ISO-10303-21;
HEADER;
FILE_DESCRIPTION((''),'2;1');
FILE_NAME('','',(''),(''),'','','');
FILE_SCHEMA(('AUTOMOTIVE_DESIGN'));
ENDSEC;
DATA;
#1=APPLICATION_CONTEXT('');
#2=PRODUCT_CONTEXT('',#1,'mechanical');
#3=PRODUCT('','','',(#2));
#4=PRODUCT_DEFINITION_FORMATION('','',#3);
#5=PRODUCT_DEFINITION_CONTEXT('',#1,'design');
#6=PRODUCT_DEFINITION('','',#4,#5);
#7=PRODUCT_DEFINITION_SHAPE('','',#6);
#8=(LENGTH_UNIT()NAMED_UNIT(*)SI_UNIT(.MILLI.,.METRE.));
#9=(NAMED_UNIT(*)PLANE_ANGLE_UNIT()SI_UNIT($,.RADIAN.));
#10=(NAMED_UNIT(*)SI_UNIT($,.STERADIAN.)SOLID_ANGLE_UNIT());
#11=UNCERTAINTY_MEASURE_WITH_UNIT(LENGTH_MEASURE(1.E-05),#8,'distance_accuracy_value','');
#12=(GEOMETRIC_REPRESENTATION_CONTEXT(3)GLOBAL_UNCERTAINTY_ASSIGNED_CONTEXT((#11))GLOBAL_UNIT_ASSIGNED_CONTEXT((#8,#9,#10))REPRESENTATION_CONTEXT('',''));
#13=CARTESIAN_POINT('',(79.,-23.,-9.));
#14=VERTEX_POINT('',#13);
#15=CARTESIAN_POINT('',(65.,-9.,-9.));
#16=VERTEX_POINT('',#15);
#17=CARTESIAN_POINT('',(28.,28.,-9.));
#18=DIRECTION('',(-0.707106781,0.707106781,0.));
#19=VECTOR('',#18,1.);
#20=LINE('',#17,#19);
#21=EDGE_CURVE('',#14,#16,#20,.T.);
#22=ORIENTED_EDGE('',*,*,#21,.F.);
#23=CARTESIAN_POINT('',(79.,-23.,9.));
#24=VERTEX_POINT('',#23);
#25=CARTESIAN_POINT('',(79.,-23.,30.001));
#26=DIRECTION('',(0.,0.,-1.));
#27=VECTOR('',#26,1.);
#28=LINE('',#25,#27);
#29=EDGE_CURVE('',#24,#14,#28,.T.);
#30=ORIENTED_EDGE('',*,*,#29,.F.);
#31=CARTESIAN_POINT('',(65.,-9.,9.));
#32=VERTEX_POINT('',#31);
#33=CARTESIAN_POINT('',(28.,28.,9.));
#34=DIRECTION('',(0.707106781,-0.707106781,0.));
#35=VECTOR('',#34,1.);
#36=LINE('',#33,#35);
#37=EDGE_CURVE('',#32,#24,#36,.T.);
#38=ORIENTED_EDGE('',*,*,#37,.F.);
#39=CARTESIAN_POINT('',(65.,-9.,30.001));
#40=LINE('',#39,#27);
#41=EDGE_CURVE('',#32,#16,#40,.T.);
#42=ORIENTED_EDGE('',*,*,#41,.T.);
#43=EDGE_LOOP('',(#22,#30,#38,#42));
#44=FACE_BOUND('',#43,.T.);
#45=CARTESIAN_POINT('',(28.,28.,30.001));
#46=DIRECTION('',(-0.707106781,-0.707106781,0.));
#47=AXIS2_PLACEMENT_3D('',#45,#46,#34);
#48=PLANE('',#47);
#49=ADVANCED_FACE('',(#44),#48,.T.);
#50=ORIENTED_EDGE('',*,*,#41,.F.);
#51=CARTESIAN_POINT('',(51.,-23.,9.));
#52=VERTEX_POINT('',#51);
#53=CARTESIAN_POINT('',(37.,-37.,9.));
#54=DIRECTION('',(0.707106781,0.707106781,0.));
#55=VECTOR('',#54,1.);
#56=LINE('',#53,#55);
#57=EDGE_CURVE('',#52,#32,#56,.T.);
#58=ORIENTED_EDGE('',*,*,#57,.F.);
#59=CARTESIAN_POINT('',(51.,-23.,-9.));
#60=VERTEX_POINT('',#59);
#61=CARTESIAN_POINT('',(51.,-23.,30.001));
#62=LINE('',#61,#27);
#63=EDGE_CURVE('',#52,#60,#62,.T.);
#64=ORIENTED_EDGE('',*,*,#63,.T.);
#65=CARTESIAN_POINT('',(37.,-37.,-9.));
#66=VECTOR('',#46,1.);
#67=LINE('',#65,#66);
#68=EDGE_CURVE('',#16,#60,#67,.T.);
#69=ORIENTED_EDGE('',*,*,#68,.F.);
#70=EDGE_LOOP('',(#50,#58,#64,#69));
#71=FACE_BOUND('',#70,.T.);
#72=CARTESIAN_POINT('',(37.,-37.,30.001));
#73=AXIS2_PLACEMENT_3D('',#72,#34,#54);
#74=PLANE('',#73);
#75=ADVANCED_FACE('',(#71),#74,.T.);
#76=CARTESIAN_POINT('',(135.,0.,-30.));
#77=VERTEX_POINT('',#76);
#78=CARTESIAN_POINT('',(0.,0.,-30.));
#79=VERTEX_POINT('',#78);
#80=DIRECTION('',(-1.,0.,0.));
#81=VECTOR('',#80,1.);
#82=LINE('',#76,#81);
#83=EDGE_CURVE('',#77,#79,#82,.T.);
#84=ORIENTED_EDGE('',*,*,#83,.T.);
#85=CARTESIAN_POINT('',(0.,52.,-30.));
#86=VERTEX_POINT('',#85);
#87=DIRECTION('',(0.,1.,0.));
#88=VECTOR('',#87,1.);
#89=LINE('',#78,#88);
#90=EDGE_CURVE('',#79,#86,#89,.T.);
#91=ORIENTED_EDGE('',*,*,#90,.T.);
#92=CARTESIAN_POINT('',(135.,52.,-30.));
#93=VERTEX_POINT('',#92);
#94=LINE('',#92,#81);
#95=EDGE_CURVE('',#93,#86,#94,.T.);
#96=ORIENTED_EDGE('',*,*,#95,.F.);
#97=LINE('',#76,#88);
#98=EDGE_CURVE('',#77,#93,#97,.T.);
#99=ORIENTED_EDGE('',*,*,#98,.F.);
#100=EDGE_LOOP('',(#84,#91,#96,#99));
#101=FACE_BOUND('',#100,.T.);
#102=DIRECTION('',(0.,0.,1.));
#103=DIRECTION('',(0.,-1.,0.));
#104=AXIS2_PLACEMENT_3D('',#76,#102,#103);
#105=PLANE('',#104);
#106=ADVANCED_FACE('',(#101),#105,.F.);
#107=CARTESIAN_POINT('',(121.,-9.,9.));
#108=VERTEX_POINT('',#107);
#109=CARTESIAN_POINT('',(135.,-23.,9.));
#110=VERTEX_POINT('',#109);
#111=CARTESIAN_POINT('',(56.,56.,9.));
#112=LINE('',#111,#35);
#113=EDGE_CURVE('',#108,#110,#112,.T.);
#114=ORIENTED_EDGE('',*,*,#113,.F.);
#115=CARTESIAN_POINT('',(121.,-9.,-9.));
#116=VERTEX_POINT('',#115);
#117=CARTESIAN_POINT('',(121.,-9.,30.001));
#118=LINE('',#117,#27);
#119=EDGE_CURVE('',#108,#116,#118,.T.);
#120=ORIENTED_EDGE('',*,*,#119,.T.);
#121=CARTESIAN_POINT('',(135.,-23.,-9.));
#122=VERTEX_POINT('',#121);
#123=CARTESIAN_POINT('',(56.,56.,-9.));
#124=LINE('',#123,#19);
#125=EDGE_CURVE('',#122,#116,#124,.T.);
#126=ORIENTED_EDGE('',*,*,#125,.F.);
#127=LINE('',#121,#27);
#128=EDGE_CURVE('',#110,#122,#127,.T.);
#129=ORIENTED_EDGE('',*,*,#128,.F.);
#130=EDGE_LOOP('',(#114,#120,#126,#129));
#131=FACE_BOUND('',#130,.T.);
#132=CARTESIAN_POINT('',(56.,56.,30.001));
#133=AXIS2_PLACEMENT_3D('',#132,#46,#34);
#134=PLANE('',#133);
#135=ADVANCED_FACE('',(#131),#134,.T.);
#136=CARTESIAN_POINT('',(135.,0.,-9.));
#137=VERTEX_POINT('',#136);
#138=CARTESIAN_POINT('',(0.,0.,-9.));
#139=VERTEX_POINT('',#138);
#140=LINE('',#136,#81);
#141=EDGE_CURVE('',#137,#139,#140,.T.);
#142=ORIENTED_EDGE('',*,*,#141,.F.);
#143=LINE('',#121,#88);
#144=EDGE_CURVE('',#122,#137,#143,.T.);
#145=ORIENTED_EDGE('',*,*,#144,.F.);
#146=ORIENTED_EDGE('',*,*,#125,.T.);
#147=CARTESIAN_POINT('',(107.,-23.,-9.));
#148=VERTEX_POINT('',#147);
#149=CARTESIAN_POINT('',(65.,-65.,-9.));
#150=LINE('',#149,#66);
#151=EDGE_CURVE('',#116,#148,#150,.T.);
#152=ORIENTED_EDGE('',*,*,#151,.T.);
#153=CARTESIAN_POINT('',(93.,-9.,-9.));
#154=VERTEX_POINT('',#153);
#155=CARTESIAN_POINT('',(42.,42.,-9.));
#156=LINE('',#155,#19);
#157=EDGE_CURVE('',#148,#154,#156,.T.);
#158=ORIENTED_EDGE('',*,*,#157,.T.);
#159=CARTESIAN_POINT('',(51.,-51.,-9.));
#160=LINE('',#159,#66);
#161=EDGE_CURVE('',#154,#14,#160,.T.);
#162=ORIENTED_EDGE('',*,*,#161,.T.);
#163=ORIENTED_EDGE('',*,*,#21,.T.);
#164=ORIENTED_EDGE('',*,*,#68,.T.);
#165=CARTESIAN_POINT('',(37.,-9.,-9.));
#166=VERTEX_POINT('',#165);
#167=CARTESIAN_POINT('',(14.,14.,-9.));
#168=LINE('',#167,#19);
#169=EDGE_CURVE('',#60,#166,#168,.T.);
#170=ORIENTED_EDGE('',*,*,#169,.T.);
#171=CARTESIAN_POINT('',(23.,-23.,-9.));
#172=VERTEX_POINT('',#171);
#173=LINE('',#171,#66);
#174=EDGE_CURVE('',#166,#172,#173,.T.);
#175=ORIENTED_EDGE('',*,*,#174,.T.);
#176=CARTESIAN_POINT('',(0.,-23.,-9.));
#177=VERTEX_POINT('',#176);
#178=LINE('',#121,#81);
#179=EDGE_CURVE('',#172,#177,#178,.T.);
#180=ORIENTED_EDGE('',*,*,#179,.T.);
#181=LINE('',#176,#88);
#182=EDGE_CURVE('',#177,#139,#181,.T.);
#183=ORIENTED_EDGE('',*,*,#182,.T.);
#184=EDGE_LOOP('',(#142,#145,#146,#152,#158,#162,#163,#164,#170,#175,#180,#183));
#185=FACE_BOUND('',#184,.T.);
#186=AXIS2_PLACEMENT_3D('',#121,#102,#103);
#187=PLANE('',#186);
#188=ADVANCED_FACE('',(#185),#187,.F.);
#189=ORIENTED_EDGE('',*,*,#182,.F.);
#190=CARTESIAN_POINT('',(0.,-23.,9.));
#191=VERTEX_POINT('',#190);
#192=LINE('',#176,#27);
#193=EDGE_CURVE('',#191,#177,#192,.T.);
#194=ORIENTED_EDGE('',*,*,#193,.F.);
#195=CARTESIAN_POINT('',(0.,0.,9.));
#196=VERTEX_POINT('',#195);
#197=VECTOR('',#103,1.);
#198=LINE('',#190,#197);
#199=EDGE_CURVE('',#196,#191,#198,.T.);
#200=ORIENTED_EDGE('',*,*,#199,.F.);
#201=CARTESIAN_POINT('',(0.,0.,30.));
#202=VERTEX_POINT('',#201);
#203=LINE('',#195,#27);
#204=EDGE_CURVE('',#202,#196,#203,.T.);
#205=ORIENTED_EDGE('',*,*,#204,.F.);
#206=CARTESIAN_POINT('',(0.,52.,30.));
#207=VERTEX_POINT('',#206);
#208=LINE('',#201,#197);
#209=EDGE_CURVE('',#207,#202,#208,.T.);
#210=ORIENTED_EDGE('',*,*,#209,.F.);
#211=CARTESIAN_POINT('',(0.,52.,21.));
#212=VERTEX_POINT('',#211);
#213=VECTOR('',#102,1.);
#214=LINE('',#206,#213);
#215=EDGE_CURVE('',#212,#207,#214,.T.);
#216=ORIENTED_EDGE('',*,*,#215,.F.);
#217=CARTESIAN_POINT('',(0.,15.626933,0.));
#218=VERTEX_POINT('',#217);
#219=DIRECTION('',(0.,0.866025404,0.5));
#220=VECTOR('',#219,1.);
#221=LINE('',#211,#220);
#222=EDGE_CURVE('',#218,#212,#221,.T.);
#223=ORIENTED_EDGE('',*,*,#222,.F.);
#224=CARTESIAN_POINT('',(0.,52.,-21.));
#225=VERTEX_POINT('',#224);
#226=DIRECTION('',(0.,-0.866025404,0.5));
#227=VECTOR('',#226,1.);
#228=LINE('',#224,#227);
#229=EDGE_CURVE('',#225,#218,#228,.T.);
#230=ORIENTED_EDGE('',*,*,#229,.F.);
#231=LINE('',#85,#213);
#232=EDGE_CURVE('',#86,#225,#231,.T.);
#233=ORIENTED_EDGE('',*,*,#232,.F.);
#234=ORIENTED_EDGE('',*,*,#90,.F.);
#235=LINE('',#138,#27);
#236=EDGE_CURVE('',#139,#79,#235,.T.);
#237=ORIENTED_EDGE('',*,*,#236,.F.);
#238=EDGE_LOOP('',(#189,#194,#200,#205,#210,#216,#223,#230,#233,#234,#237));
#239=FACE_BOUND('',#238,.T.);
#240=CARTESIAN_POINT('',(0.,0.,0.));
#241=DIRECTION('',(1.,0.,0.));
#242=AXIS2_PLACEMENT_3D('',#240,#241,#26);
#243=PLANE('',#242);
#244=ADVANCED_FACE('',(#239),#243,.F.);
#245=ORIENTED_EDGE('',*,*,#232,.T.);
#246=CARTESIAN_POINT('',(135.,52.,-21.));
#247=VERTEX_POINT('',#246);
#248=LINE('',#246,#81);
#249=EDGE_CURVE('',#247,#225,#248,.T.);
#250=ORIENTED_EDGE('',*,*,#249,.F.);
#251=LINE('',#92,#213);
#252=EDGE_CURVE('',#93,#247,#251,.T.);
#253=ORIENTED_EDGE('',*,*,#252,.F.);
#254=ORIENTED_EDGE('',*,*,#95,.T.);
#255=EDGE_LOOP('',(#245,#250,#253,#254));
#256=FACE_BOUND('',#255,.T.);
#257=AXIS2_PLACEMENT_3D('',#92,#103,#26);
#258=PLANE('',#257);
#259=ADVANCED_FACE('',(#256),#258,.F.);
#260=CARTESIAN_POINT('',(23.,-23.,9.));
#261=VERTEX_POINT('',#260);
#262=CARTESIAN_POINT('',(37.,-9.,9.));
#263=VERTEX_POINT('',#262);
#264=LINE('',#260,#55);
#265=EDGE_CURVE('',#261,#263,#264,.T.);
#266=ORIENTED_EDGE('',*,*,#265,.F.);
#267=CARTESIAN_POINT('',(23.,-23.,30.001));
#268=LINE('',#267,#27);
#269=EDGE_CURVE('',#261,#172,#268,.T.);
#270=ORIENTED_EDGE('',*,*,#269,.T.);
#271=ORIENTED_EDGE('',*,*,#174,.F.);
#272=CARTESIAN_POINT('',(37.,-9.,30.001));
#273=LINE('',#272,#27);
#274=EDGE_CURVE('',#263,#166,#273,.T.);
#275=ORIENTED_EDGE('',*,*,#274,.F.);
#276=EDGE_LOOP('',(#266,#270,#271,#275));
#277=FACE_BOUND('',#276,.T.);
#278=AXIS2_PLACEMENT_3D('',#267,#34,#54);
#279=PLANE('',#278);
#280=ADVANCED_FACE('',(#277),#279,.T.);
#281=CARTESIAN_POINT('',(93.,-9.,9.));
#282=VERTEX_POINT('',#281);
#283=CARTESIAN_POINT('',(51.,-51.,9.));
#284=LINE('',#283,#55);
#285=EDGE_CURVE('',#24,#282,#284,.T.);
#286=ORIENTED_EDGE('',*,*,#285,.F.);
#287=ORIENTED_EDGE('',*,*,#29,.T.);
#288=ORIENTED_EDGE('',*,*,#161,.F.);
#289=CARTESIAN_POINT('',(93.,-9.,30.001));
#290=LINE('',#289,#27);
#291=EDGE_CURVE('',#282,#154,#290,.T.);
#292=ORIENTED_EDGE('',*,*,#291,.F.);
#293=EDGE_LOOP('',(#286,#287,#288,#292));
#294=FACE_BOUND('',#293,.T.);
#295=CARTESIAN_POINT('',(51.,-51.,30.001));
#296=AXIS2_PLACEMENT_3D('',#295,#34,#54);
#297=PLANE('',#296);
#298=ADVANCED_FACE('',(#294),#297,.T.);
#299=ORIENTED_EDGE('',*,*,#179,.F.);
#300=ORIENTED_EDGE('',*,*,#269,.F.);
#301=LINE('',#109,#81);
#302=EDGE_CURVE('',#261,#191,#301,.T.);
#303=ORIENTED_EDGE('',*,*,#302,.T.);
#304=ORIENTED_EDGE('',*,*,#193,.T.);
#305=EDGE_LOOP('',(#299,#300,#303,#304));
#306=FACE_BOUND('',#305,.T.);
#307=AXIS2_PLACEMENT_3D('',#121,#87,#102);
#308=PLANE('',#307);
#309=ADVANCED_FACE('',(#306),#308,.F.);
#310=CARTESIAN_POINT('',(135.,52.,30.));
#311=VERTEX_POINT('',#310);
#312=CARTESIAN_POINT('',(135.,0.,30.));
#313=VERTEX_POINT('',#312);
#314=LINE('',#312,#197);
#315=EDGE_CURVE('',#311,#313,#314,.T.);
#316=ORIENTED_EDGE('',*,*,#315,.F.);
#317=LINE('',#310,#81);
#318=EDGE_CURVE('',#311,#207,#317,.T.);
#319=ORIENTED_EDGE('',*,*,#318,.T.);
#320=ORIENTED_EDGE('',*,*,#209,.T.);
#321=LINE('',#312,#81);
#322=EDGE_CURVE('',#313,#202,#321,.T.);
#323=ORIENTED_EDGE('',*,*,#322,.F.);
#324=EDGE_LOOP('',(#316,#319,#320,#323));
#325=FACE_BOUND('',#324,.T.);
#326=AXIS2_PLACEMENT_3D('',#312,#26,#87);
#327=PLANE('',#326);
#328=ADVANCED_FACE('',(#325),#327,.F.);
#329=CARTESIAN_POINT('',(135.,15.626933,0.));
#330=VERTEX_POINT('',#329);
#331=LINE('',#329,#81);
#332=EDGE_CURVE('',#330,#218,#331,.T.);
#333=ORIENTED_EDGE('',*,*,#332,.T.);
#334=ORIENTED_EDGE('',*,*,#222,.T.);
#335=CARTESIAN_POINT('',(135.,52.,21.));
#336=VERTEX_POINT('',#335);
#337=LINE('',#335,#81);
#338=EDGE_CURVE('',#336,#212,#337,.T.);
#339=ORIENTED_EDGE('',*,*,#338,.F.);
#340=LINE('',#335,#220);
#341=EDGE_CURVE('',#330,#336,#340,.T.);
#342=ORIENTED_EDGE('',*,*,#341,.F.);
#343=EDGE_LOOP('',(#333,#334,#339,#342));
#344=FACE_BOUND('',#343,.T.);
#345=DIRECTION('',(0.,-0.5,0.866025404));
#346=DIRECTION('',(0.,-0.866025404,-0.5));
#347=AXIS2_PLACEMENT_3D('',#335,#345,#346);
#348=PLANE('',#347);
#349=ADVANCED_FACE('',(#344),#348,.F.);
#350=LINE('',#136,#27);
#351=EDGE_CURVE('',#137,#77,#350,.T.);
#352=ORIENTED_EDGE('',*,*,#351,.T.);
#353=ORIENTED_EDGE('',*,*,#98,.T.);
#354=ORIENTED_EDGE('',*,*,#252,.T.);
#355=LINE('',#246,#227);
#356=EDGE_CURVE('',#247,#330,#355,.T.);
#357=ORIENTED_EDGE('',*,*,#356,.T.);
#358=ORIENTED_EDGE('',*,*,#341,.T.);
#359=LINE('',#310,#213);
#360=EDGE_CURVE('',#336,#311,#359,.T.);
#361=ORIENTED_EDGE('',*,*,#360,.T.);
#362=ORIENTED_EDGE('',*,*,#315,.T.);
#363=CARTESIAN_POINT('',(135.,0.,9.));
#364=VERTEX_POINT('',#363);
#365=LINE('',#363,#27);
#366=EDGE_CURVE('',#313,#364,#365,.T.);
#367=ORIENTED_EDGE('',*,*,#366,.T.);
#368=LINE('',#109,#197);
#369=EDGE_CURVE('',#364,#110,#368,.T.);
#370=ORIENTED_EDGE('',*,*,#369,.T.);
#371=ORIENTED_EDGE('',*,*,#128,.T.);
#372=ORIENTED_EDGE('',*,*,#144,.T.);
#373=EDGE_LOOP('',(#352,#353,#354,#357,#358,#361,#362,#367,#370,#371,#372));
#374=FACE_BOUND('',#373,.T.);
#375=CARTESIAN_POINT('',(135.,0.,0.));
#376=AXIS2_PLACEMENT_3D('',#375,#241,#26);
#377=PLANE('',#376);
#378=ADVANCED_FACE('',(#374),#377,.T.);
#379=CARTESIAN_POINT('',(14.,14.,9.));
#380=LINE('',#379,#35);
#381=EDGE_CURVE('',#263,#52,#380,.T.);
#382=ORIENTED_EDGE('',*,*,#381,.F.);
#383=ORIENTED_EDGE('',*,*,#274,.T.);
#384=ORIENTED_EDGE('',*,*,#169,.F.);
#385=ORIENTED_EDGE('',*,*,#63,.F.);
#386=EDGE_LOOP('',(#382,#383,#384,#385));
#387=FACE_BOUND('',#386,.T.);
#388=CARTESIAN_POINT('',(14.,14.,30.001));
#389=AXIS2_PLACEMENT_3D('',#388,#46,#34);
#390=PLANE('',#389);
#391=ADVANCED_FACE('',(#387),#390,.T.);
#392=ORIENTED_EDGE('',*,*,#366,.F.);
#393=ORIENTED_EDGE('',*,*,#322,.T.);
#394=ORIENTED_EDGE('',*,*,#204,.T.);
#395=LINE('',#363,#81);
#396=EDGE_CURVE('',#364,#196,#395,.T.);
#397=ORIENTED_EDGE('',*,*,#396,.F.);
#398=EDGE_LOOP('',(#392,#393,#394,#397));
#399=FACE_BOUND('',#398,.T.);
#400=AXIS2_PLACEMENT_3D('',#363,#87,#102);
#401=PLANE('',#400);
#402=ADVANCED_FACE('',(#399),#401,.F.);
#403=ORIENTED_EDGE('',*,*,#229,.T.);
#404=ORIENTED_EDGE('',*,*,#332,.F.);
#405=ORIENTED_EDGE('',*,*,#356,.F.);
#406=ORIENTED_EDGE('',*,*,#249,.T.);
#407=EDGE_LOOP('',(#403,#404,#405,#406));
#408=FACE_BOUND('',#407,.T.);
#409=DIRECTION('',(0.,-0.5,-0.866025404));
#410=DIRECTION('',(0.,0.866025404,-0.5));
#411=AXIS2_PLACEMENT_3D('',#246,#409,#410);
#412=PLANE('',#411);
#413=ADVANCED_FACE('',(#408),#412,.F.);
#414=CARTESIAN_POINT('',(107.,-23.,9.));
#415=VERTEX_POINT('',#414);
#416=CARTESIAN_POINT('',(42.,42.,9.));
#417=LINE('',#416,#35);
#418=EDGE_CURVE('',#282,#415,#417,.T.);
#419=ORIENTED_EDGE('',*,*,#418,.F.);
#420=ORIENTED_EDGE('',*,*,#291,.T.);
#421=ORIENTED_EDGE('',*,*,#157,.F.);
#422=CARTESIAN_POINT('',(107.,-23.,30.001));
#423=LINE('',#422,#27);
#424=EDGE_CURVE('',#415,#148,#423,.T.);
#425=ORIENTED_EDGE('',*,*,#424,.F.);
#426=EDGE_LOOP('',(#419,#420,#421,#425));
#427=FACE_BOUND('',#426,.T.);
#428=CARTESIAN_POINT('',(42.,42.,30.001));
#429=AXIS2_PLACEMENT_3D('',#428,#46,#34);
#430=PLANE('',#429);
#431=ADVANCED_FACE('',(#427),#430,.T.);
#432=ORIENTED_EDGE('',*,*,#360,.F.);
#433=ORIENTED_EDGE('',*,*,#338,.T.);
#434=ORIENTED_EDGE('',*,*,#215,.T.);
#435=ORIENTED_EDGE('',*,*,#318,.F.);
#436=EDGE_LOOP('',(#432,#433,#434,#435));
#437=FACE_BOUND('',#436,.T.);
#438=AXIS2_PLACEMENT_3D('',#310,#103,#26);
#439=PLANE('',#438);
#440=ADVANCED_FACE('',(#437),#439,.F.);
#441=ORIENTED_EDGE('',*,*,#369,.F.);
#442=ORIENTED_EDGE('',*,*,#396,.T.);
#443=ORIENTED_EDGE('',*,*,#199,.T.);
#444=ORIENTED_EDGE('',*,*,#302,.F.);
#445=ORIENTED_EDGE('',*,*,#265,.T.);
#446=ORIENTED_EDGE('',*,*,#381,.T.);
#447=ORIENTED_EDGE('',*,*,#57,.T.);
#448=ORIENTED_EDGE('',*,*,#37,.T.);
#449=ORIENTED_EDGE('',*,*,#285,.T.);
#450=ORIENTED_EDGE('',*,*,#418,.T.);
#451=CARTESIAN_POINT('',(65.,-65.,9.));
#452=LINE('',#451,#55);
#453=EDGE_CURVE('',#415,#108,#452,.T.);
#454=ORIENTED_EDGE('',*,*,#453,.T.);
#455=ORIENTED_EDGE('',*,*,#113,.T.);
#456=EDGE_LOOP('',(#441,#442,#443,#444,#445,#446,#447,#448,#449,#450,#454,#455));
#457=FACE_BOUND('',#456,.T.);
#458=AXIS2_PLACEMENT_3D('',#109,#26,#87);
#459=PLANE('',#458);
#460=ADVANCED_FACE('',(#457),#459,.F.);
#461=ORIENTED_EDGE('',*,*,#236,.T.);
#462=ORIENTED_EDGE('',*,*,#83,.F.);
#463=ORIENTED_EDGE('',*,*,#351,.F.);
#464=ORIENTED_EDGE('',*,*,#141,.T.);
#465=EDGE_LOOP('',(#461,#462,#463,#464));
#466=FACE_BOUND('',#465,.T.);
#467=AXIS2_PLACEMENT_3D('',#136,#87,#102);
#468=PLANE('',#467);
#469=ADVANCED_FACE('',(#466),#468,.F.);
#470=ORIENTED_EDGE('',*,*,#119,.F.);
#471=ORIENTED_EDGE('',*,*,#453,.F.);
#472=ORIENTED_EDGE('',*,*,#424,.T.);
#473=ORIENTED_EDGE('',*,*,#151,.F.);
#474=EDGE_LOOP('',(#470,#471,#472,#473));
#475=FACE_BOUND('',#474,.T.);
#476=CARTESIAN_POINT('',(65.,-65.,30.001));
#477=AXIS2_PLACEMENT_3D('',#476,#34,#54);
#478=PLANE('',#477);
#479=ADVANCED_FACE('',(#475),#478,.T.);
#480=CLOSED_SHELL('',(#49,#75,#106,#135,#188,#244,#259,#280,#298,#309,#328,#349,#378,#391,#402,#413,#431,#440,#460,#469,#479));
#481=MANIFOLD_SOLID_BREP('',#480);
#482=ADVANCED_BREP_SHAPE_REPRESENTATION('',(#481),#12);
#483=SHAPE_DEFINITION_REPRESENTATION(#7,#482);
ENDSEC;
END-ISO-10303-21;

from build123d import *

# Parameters (mm, degrees)
BOSS_EXTRUDE1_DEPTH = 135
CUT_EXTRUDE1_REACH  = 151.833


with BuildPart() as part:
    # Sketch2 → Boss-Extrude1 (new body)
    with BuildSketch(Plane(origin=(0, 0, 0), x_dir=(0, 0, 1), z_dir=(1, 0, 0))):
        Polygon((-9, 23), (9, 23), (9, 0), (30, 0), (30, -52), (21, -52), (0, -15.626933041), (-21, -52), (-30, -52), (-30, 0), (-9, 0), align=None)
    extrude(amount=BOSS_EXTRUDE1_DEPTH)

    # Sketch3 → Cut-Extrude1 (cut, up to next)
    with BuildSketch(Plane(origin=(0, 0, -9), x_dir=(-1, 0, 0), z_dir=(0, 0, -1)), mode=Mode.PRIVATE) as cut_extrude1_sk1:
        Polygon((-65, -9), (-79, -23), (-51, -23), align=None)
    cut_extrude1_tool1 = extrude(cut_extrude1_sk1.sketch, amount=-CUT_EXTRUDE1_REACH, mode=Mode.PRIVATE) & part.part
    # Sketch3 → Cut-Extrude1 (cut, up to next)
    with BuildSketch(Plane(origin=(0, 0, -9), x_dir=(-1, 0, 0), z_dir=(0, 0, -1)), mode=Mode.PRIVATE) as cut_extrude1_sk2:
        Polygon((-93, -9), (-107, -23), (-79, -23), align=None)
    cut_extrude1_tool2 = extrude(cut_extrude1_sk2.sketch, amount=-CUT_EXTRUDE1_REACH, mode=Mode.PRIVATE) & part.part
    # Sketch3 → Cut-Extrude1 (cut, up to next)
    with BuildSketch(Plane(origin=(0, 0, -9), x_dir=(-1, 0, 0), z_dir=(0, 0, -1)), mode=Mode.PRIVATE) as cut_extrude1_sk3:
        Polygon((-121, -9), (-135, -23), (-107, -23), align=None)
    cut_extrude1_tool3 = extrude(cut_extrude1_sk3.sketch, amount=-CUT_EXTRUDE1_REACH, mode=Mode.PRIVATE) & part.part
    # Sketch3 → Cut-Extrude1 (cut, up to next)
    with BuildSketch(Plane(origin=(0, 0, -9), x_dir=(-1, 0, 0), z_dir=(0, 0, -1)), mode=Mode.PRIVATE) as cut_extrude1_sk4:
        Polygon((-37, -9), (-51, -23), (-23, -23), align=None)
    cut_extrude1_tool4 = extrude(cut_extrude1_sk4.sketch, amount=-CUT_EXTRUDE1_REACH, mode=Mode.PRIVATE) & part.part
    add(cut_extrude1_tool1.solids().sort_by_distance((65, -18.333333, -9))[0], mode=Mode.SUBTRACT)
    add(cut_extrude1_tool2.solids().sort_by_distance((93, -18.333333, -9))[0], mode=Mode.SUBTRACT)
    add(cut_extrude1_tool3.solids().sort_by_distance((121, -18.333333, -9))[0], mode=Mode.SUBTRACT)
    add(cut_extrude1_tool4.solids().sort_by_distance((37, -18.333333, -9))[0], mode=Mode.SUBTRACT)


solid = part.part
